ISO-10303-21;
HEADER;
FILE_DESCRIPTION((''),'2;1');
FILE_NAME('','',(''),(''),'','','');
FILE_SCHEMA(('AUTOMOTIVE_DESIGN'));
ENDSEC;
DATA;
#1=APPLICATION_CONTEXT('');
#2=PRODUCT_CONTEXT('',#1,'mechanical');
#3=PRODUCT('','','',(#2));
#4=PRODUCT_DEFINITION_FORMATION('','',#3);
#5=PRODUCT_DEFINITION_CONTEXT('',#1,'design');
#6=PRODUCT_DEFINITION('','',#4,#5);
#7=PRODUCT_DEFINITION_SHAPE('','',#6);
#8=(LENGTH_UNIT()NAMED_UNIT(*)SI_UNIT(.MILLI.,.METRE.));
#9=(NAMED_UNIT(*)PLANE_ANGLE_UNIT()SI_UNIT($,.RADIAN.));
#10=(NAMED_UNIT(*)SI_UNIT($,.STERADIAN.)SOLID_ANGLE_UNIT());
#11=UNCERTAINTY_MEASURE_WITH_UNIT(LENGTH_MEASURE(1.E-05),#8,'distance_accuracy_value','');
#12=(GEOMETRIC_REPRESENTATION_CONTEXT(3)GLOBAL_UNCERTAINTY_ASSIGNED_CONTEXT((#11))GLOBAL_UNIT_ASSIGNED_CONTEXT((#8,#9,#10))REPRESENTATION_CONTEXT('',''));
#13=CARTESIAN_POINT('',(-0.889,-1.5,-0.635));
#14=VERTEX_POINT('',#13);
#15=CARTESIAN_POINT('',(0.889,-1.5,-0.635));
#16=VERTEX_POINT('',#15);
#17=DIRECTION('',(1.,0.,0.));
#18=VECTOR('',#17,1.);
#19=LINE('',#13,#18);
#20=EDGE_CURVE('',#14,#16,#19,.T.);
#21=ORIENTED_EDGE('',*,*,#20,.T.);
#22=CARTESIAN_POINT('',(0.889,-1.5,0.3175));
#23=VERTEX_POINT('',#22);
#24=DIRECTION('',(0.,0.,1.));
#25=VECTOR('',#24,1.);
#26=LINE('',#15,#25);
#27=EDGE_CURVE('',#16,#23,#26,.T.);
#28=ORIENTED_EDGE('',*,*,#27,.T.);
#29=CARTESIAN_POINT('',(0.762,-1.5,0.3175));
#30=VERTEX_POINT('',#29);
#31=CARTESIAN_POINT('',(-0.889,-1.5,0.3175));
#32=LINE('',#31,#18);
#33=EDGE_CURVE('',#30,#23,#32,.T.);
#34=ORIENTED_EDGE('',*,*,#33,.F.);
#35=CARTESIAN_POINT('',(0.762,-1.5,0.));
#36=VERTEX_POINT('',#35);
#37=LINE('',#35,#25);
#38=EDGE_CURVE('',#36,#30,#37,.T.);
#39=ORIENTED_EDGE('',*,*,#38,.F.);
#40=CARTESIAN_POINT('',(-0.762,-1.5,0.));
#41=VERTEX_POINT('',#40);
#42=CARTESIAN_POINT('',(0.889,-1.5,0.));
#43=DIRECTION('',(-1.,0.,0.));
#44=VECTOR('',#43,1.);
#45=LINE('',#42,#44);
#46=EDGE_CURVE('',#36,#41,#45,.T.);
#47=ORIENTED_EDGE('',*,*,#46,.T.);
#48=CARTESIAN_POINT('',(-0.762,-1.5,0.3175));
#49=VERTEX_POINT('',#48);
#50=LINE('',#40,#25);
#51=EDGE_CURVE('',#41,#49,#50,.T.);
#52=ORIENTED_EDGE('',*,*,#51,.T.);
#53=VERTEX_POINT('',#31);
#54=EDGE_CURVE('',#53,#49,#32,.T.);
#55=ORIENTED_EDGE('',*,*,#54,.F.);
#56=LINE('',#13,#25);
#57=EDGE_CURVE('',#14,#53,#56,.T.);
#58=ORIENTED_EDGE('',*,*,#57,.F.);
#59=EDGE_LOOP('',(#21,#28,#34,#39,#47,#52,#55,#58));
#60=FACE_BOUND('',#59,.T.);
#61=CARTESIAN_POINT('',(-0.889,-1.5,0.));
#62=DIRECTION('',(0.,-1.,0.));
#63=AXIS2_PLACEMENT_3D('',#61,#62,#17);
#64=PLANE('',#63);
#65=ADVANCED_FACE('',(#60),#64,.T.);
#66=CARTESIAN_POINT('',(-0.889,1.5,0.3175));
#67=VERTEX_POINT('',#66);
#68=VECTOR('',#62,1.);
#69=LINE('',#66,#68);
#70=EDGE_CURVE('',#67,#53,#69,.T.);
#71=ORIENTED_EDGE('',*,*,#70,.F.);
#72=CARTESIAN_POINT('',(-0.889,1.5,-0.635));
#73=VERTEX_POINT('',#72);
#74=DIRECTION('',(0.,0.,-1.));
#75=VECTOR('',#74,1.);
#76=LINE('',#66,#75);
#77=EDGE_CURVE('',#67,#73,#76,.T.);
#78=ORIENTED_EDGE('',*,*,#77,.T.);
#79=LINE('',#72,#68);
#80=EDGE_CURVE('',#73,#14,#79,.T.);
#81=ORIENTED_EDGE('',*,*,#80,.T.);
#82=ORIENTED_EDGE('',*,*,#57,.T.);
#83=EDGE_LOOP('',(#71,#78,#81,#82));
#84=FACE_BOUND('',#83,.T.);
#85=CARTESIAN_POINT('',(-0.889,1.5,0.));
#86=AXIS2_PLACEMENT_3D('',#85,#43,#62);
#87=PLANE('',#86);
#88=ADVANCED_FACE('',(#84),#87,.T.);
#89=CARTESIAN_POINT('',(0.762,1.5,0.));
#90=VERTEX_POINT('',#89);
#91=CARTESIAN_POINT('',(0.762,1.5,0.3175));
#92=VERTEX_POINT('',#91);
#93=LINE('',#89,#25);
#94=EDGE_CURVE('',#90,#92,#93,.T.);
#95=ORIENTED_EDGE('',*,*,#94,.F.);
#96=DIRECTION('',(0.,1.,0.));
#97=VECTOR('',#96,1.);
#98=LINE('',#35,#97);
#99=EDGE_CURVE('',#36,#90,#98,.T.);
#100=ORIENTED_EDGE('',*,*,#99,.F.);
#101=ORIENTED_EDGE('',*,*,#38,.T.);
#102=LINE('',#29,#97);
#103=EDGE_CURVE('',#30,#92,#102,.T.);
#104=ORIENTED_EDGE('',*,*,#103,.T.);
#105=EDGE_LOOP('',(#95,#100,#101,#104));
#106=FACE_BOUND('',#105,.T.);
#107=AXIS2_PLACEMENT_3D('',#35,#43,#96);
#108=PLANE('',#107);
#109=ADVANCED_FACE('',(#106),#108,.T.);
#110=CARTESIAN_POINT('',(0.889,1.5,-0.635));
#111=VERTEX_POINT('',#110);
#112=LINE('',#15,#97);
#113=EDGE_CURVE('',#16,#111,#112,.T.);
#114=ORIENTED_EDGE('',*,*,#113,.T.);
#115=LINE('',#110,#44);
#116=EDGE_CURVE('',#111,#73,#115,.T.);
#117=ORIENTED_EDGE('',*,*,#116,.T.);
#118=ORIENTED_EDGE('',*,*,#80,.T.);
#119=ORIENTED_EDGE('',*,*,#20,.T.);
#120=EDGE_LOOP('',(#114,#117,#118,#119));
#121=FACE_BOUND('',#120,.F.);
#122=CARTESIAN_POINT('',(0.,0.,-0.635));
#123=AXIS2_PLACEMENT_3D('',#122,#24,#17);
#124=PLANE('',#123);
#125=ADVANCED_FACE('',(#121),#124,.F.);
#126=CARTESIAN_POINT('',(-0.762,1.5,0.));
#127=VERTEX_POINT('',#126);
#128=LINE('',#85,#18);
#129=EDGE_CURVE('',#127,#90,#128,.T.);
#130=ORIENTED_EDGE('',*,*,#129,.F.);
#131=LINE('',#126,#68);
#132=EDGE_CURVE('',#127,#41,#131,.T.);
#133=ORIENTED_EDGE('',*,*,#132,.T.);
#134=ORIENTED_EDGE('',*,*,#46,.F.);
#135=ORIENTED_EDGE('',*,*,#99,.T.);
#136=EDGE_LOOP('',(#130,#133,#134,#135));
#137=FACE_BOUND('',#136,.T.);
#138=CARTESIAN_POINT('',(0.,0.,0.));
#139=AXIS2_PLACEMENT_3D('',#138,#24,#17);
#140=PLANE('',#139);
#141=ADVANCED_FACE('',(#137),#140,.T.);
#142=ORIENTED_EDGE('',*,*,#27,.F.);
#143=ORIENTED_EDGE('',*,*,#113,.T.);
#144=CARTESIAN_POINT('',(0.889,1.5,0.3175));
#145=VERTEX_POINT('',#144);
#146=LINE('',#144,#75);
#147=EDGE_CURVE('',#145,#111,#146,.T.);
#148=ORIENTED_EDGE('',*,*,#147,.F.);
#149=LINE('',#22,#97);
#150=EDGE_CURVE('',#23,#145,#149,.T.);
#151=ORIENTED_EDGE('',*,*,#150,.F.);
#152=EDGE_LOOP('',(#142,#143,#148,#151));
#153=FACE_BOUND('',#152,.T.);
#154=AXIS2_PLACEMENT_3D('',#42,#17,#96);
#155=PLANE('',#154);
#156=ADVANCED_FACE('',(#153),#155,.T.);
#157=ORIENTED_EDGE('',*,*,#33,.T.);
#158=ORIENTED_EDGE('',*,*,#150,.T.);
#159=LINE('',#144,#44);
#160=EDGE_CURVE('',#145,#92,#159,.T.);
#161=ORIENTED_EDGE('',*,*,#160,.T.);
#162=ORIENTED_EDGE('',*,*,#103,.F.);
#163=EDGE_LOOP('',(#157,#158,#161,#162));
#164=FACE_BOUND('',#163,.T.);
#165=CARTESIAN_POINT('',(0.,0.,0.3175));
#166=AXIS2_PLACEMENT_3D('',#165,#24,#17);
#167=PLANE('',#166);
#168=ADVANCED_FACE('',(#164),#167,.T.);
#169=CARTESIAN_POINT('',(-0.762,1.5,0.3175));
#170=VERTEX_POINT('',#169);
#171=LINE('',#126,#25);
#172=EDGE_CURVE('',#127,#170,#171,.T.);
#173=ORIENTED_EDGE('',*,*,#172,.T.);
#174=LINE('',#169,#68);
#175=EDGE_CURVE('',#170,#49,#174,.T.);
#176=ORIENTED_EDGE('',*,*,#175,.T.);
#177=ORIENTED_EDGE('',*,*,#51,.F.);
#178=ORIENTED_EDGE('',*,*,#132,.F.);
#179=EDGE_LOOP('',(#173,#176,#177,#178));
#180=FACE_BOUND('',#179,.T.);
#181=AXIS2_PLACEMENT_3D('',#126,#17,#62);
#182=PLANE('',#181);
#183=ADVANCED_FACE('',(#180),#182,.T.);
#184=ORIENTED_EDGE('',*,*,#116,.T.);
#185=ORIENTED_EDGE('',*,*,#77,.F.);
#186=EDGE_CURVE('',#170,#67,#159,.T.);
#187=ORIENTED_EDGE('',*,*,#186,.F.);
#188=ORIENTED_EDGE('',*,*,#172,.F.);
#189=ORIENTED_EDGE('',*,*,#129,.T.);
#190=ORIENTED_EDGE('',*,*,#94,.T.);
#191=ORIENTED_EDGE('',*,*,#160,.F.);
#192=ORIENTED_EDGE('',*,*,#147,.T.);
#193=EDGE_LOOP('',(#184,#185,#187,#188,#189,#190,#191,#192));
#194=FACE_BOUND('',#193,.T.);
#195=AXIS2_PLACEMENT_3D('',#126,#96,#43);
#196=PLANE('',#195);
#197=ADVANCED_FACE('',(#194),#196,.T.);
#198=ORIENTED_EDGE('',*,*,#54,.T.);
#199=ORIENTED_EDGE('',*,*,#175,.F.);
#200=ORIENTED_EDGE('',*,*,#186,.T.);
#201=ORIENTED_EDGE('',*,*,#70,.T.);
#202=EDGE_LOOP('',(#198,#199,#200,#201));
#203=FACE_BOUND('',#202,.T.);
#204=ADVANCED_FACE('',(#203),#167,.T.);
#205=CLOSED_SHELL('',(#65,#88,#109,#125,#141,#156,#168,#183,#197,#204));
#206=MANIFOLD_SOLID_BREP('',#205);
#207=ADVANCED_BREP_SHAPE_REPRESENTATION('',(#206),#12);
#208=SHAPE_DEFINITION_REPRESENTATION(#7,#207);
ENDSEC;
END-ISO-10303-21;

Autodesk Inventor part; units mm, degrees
ref_plane "YZ Plane" through (0, 0, 0) normal (1, 0, 0) x (0, 1, 0)
ref_plane "XZ Plane" through (0, 0, 0) normal (0, 1, 0) x (-1, 0, 0)
ref_plane "XY Plane" through (0, 0, 0) normal (0, 0, 1) x (1, 0, 0)
sketch "Sketch2" plane through (0, 0, 0) normal (0, 0, 1) x (1, 0, 0)
  line L0 (-0.889, -1.5) -> (0.889, -1.5)
  line L1 (0.889, -1.5) -> (0.889, 1.5)
  line L2 (0.889, 1.5) -> (-0.889, 1.5)
  line L3 (-0.889, 1.5) -> (-0.889, -1.5)
  line L4 (-0.889, -1.5) -> (0.889, 1.5) construction
  line L5 (0.889, -1.5) -> (-0.889, 1.5) construction
  line L6 (-0.762, -1.5) -> (0.762, -1.5)
  line L7 (0.762, -1.5) -> (0.762, 1.5)
  line L8 (0.762, 1.5) -> (-0.762, 1.5)
  line L9 (-0.762, 1.5) -> (-0.762, -1.5)
  line L10 (-0.762, -1.5) -> (0.762, 1.5) construction
  line L11 (0.762, -1.5) -> (-0.762, 1.5) construction
  point P0 (0, 0)
  dimension "d0" = 3
  dimension "d1" = 1.778
  dimension "d6" = 1.524
extrude "Extrusion1" add sketch "Sketch2" against normal blind 0.635
extrude "Extrusion2" add sketch "Sketch2" along normal blind 0.3175 contours L3 L2 L9 L0 | L7 L2 L1 L0
properties part number "probe_carrier_nn32"
